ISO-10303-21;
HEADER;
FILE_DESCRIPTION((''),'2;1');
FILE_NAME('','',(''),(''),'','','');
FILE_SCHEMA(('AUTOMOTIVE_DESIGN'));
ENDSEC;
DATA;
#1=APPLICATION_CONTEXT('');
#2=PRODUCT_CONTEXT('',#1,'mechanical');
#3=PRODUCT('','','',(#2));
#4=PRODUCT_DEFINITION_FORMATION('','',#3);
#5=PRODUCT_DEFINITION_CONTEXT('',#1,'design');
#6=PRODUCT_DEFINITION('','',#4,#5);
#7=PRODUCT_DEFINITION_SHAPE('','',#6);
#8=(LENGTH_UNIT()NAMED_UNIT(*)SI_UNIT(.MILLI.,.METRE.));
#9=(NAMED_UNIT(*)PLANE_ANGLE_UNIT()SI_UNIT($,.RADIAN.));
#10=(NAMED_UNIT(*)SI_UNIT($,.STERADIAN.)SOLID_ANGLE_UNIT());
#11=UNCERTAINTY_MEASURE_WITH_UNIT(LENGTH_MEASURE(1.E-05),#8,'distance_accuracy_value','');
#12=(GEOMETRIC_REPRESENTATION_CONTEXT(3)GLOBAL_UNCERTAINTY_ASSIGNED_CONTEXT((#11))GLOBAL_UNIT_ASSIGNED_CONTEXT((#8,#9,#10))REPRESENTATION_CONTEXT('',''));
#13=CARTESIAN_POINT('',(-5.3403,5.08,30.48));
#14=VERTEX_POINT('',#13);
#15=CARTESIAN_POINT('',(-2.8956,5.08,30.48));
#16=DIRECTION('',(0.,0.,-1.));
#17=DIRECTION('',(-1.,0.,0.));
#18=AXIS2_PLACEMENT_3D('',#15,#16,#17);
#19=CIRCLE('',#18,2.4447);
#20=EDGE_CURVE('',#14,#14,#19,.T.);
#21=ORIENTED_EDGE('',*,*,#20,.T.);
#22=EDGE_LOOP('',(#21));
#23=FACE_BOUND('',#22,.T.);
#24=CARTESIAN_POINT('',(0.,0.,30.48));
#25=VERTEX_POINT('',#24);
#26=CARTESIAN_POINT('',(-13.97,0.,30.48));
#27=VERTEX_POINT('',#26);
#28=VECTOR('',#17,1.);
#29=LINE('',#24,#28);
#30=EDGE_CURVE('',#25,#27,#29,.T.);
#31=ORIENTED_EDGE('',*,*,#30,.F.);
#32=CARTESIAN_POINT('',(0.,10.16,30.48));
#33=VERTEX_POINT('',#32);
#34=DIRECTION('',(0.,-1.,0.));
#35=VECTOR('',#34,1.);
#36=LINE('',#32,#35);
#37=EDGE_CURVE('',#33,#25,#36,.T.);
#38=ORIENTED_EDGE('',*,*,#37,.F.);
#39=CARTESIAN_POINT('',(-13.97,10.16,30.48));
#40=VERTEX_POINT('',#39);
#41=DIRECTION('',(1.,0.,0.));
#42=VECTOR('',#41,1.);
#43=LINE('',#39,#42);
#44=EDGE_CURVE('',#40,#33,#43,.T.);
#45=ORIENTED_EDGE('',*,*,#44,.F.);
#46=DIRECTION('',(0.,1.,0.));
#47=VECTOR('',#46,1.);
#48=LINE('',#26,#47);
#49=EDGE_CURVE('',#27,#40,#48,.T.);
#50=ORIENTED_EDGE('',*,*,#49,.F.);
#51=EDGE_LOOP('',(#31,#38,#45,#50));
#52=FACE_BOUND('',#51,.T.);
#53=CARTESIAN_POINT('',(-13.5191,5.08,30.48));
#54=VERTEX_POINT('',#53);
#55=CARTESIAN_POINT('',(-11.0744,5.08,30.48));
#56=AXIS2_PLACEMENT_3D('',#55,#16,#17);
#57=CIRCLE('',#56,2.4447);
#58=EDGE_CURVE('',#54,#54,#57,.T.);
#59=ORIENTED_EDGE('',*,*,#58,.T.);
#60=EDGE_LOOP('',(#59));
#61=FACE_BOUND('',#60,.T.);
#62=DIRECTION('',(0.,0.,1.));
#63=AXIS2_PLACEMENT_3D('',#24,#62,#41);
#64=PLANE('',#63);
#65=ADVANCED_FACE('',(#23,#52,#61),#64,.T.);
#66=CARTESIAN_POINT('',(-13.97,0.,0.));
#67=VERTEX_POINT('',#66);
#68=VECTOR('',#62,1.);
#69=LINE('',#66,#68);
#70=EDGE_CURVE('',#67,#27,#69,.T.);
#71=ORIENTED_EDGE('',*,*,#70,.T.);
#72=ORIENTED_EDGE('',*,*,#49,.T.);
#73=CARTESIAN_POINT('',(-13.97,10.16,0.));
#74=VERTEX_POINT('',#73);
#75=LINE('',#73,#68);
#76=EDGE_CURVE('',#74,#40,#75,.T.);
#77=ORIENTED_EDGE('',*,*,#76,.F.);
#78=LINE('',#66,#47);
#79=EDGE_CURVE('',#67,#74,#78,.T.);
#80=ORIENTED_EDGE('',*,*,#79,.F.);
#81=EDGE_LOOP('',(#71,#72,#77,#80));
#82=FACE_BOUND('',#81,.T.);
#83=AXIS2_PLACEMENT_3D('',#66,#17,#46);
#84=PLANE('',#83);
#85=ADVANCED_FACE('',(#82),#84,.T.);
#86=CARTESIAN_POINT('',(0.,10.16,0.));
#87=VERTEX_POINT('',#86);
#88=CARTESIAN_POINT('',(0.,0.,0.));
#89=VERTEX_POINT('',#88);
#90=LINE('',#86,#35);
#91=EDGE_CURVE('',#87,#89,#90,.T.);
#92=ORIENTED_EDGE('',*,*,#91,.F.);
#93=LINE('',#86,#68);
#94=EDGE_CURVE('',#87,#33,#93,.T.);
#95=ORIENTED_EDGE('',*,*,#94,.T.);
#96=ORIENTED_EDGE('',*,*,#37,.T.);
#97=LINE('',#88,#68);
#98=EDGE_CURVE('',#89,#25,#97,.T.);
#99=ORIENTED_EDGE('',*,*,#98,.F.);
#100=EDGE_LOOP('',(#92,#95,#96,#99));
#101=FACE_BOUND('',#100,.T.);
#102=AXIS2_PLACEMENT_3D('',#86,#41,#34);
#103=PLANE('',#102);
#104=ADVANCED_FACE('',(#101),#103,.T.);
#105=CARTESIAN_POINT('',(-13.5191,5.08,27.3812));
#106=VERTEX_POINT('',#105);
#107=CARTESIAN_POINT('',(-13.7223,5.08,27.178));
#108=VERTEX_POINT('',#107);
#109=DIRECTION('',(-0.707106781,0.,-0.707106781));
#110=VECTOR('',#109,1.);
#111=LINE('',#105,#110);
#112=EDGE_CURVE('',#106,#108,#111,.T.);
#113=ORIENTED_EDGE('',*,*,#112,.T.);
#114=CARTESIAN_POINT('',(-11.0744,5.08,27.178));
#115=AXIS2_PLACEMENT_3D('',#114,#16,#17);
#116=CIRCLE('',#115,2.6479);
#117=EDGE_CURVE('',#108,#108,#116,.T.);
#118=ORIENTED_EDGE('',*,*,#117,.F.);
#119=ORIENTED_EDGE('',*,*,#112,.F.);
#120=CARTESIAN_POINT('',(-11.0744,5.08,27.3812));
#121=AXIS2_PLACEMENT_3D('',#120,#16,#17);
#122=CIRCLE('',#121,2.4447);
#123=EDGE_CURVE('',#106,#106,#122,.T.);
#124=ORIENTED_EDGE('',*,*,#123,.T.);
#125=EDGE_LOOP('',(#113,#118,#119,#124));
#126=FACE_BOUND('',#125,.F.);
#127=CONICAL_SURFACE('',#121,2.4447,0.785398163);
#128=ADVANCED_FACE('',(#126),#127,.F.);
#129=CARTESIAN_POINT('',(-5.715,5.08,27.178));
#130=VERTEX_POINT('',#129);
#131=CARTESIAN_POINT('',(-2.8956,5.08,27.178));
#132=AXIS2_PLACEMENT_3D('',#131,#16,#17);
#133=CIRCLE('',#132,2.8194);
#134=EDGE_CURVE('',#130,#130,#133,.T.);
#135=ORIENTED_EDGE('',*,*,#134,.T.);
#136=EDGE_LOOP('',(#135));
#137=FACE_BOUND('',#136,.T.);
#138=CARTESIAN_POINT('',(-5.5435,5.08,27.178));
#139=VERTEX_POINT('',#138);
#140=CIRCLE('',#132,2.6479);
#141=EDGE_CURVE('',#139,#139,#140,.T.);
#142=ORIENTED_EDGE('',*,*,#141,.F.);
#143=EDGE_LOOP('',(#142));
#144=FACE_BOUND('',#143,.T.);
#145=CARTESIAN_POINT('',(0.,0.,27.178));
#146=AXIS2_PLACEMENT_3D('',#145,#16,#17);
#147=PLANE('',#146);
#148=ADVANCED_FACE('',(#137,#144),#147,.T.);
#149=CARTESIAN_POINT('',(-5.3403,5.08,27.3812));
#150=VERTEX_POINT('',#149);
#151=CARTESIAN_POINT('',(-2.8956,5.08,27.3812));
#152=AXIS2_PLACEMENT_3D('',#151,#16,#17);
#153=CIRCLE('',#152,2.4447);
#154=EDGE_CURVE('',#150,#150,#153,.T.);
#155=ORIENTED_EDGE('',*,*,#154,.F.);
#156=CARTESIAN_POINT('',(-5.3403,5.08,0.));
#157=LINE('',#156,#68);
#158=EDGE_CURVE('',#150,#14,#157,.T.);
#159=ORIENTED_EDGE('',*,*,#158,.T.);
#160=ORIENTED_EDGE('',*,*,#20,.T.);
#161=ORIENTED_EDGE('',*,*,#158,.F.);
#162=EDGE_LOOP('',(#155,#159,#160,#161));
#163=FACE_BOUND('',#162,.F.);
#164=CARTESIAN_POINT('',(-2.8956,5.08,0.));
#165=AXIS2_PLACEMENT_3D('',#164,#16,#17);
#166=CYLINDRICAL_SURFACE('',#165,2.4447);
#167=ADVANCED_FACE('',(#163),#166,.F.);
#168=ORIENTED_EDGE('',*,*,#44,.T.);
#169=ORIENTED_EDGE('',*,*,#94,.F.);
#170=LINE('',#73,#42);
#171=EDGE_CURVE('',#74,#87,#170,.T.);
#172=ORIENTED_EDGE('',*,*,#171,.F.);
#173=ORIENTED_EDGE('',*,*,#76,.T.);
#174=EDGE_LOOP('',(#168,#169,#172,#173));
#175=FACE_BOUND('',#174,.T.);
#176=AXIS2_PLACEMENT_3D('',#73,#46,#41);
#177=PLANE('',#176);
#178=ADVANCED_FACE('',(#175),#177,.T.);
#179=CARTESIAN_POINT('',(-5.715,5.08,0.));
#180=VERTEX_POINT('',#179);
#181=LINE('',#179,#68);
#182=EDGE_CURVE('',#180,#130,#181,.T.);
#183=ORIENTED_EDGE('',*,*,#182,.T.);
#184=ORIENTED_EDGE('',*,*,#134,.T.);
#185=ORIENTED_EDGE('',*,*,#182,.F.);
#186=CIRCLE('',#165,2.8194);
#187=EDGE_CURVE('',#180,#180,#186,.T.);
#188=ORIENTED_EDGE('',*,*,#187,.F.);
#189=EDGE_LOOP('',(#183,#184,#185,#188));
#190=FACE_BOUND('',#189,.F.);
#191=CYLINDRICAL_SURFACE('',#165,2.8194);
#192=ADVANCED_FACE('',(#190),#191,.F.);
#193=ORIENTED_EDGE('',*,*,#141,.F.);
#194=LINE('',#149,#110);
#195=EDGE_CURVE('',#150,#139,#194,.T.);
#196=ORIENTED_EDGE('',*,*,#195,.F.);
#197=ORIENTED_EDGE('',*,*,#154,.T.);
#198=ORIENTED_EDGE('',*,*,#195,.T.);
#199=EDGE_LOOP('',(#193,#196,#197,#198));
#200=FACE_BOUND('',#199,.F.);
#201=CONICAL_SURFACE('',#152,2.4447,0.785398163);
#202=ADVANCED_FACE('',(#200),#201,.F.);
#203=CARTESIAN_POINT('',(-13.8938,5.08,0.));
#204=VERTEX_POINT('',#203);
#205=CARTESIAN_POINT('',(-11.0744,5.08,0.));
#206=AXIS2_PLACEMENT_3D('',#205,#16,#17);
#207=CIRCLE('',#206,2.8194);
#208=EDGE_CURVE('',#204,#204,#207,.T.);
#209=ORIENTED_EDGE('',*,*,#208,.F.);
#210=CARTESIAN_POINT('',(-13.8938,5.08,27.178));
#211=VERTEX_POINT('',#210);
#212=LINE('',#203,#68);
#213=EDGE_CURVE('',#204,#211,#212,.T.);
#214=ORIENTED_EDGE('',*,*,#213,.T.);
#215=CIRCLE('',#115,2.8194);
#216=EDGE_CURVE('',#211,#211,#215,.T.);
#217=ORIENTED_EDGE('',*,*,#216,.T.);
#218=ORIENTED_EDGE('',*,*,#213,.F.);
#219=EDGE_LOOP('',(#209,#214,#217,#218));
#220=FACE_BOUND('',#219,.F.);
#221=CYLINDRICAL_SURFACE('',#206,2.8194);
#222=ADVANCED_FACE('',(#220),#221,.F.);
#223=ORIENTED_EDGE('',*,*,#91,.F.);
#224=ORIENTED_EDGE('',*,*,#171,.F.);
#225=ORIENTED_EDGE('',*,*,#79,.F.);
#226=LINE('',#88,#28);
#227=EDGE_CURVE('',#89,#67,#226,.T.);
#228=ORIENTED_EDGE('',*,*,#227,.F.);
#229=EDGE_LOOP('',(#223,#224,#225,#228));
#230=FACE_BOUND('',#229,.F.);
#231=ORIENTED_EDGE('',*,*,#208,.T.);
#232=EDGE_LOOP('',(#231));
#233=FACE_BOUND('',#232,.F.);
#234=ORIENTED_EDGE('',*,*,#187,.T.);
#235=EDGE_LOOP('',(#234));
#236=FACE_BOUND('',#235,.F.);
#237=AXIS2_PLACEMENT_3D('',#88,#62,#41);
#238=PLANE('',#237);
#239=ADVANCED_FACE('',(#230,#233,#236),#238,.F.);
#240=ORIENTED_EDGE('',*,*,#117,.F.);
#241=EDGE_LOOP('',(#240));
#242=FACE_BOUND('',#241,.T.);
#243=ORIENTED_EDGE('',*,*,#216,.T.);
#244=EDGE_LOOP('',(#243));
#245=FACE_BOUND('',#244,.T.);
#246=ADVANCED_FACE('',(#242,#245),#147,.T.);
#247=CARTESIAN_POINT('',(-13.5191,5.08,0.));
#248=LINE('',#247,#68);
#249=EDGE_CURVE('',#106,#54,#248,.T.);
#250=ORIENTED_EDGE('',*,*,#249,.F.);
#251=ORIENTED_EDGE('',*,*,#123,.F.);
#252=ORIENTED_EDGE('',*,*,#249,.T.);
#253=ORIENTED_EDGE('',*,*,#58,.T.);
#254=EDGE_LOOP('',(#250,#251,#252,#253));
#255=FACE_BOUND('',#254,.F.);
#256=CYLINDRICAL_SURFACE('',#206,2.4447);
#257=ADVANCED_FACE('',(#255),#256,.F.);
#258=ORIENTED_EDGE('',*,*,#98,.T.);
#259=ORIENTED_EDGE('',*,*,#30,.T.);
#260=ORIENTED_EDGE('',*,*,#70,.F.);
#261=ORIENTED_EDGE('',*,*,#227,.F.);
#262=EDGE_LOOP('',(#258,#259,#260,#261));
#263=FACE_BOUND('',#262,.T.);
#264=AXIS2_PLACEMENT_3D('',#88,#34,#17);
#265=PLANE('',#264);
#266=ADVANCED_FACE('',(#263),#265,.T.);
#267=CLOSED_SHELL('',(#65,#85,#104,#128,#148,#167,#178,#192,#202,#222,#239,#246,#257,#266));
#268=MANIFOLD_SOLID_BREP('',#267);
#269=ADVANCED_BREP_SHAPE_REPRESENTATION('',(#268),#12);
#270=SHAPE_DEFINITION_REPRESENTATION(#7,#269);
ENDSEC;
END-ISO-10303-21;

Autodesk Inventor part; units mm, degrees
ref_plane "YZ Plane" through (0, 0, 0) normal (1, 0, 0) x (0, 1, 0)
ref_plane "XZ Plane" through (0, 0, 0) normal (0, 1, 0) x (-1, 0, 0)
ref_plane "XY Plane" through (0, 0, 0) normal (0, 0, 1) x (1, 0, 0)
sketch "Sketch1" plane through (0, 0, 0) normal (0, 0, 1) x (1, 0, 0)
  line L0 (-13.97, 10.16) -> (0, 10.16)
  line L1 (0, 10.16) -> (0, 0)
  line L2 (0, 0) -> (-13.97, 0)
  line L3 (-13.97, 0) -> (-13.97, 10.16)
  dimension "d0" = 13.97
  dimension "d1" = 10.16
extrude "Extrusion1" add sketch "Sketch1" along normal blind 30.48
sketch "Sketch2" plane through (0, 0, 0) normal (0, 0, -1) x (-1, 0, 0)
  line L0 (13.97, 10.16) -> (0, 10.16) projected
  line L1 (0, 10.16) -> (0, 0) projected
  line L2 (0, 0) -> (13.97, 0) projected
  line L3 (13.97, 0) -> (13.97, 10.16) projected
  circle A0 centre (2.8956, 5.08) radius 2.8194
  circle A1 centre (11.0744, 5.08) radius 2.8194
  dimension "d4" = 5.6388
  dimension "d5" = 5.6388
  dimension "d6" = 2.54
  dimension "d7" = 5.08
  dimension "d8" = 2.8956
  dimension "d9" = 2.8956
extrude "Extrusion2" cut sketch "Sketch2" against normal blind 27.178 contours A0 | A1
sketch "Sketch3" plane through (0, 0, 0) normal (0, 0, -1) x (-1, 0, 0)
  circle A0 centre (2.8956, 5.08) radius 2.8194 projected
  circle A1 centre (11.0744, 5.08) radius 2.8194 projected
  circle A2 centre (2.8956, 5.08) radius 2.4447
  circle A3 centre (11.0744, 5.08) radius 2.4447
  point P0 (0, 0)
  dimension "d12" = 4.8895
  dimension "d13" = 4.8895
extrude "Extrusion3" cut sketch "Sketch3" against normal blind 33.02 contours A2 | A3
chamfer "Chamfer1" distance 0.2032 angle 45 2 edges at (-0.4509, 5.08, 27.178) (-8.6297, 5.08, 27.178)
